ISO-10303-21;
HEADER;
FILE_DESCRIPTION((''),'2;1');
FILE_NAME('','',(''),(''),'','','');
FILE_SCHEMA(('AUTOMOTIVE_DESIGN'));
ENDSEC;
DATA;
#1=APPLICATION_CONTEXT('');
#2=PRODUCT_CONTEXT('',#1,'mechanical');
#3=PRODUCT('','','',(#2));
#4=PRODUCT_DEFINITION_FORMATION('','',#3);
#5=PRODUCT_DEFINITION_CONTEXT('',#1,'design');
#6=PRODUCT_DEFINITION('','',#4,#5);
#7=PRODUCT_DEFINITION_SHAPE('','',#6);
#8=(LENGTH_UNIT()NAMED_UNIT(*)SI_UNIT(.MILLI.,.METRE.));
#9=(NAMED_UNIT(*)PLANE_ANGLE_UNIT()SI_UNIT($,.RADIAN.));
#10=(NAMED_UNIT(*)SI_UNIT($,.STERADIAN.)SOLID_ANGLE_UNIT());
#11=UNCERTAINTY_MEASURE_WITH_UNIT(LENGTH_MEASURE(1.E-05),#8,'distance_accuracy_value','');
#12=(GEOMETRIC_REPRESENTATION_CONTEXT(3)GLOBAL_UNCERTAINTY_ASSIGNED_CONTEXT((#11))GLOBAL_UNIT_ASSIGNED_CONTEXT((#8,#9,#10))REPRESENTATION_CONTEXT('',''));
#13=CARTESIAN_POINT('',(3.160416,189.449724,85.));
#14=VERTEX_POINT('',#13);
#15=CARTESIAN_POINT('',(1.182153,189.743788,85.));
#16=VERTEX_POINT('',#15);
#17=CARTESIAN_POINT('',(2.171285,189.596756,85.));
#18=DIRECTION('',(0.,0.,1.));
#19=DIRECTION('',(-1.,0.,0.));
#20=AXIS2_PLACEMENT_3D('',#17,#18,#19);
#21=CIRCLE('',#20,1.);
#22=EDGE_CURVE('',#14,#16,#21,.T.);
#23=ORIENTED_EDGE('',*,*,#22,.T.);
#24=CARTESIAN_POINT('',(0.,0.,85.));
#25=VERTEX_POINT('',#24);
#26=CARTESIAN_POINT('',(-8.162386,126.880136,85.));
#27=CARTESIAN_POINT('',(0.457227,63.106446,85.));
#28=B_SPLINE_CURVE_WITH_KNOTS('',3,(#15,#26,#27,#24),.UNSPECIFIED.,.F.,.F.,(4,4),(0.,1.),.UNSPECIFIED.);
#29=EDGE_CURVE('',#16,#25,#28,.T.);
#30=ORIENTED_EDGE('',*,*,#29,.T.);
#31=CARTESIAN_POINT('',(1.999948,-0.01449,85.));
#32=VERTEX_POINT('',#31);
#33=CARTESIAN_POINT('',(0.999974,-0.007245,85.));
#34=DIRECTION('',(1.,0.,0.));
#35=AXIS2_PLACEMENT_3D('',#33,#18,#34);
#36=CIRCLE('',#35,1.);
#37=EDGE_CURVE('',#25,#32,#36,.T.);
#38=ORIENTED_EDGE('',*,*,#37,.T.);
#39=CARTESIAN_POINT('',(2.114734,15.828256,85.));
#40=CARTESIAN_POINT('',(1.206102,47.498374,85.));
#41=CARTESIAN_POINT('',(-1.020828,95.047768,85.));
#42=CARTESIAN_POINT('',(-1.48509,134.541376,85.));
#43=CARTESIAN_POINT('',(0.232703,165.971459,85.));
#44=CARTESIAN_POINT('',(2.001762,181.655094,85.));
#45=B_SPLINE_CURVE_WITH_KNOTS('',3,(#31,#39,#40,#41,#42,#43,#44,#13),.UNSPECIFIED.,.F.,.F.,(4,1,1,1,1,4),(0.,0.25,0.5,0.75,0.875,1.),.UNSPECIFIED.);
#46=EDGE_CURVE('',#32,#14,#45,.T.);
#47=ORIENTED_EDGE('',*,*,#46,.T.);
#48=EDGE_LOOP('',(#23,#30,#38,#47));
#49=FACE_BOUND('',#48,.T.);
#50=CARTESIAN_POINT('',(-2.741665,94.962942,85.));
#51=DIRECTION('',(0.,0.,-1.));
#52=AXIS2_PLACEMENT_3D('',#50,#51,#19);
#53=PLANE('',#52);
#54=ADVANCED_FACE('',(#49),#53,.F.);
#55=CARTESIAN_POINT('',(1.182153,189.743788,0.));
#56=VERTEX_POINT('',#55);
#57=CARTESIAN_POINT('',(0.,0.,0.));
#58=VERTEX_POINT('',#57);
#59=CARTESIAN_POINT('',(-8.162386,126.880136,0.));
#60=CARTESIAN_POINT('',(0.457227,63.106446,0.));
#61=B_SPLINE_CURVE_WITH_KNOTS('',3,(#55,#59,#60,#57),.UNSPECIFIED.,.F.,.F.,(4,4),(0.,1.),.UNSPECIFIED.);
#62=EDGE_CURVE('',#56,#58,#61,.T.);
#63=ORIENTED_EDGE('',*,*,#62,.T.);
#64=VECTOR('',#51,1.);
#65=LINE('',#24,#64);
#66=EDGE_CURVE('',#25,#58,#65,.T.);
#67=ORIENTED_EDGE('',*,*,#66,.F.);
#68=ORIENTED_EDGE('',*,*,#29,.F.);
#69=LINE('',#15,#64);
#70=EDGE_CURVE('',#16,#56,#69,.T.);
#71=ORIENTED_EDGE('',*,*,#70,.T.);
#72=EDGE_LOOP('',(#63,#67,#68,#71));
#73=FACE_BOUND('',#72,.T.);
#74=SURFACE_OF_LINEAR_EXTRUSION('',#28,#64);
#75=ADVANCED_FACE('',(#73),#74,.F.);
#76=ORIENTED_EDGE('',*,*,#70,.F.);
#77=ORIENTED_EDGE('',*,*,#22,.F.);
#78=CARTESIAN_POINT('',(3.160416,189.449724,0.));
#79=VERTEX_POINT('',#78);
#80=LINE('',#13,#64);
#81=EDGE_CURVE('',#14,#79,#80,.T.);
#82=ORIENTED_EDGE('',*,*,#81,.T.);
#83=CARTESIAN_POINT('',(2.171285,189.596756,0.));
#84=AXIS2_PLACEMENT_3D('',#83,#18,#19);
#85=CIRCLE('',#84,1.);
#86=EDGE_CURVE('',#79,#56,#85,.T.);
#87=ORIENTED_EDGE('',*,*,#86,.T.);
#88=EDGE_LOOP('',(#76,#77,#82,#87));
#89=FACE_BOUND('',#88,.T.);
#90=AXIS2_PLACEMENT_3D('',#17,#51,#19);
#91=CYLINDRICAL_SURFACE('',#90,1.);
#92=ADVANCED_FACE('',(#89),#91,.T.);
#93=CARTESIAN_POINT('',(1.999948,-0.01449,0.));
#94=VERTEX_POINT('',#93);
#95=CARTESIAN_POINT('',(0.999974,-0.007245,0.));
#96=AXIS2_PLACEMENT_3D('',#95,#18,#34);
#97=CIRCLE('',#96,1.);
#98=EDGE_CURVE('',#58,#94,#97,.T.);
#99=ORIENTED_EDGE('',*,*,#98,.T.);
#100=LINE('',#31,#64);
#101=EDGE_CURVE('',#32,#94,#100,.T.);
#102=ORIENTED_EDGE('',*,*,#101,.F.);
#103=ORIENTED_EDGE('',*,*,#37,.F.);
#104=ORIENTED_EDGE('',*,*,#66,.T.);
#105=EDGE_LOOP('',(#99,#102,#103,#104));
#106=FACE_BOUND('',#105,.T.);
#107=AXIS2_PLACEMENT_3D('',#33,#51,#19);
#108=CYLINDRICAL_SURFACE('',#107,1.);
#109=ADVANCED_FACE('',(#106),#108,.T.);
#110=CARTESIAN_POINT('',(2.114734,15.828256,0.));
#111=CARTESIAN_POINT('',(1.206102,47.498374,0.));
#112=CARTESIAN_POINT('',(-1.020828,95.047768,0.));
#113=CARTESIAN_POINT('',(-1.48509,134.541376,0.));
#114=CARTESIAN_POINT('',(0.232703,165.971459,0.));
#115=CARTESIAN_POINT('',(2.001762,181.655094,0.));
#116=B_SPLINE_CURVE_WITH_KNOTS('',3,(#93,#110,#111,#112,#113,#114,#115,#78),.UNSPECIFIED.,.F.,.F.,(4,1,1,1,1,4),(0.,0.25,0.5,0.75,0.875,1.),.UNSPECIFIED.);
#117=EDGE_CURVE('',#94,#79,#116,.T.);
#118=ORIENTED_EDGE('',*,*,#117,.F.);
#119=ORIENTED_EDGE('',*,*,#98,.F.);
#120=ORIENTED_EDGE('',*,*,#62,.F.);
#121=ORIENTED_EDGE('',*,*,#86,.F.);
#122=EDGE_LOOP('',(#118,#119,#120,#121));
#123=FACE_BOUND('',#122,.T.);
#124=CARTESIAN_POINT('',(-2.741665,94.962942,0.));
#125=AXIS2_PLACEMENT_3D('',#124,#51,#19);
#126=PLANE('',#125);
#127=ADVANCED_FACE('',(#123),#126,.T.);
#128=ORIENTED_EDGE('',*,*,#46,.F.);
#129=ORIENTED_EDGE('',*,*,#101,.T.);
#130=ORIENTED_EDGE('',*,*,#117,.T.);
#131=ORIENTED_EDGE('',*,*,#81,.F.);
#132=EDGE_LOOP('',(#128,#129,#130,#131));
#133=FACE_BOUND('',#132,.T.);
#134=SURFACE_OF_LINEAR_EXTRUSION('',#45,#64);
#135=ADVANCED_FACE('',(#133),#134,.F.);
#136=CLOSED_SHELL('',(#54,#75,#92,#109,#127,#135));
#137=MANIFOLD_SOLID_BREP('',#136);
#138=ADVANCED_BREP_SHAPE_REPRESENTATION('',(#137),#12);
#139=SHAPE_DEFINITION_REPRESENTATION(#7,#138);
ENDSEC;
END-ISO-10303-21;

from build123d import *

# Parameters (mm, degrees)
BOSS_EXTRUDE1_DEPTH = 85


with BuildPart() as part:
    # Sketch1 → Boss-Extrude1 (new body)
    with BuildSketch(Plane.XY):
        with BuildLine():
            ThreePointArc((0, 0), (0.992728608, -1.007218899), (1.999947507, -0.014490291))
            add(Edge.make_bspline(
                [(1.999947507, -0.014490291), (2.114733526, 15.82825644), (1.206101992, 47.498374343), (-1.020828265, 95.047768028), (-1.485090195, 134.541376245), (0.232703186, 165.971459225), (2.001762336, 181.655093927), (3.160416359, 189.449723623)],
                knots=[0, 0, 0, 0, 0.25, 0.5, 0.75, 0.875, 1, 1, 1, 1], degree=3))
            ThreePointArc((3.160416359, 189.449723623), (2.318316835, 190.585887516), (1.182152942, 189.743787992))
            add(Edge.make_bspline(
                [(0, 0), (0.45722739, 63.106446464), (-8.16238637, 126.880135699), (1.182152942, 189.743787992)],
                knots=[0, 0, 0, 0, 1, 1, 1, 1], degree=3))
        make_face()
    extrude(amount=BOSS_EXTRUDE1_DEPTH)


solid = part.part
